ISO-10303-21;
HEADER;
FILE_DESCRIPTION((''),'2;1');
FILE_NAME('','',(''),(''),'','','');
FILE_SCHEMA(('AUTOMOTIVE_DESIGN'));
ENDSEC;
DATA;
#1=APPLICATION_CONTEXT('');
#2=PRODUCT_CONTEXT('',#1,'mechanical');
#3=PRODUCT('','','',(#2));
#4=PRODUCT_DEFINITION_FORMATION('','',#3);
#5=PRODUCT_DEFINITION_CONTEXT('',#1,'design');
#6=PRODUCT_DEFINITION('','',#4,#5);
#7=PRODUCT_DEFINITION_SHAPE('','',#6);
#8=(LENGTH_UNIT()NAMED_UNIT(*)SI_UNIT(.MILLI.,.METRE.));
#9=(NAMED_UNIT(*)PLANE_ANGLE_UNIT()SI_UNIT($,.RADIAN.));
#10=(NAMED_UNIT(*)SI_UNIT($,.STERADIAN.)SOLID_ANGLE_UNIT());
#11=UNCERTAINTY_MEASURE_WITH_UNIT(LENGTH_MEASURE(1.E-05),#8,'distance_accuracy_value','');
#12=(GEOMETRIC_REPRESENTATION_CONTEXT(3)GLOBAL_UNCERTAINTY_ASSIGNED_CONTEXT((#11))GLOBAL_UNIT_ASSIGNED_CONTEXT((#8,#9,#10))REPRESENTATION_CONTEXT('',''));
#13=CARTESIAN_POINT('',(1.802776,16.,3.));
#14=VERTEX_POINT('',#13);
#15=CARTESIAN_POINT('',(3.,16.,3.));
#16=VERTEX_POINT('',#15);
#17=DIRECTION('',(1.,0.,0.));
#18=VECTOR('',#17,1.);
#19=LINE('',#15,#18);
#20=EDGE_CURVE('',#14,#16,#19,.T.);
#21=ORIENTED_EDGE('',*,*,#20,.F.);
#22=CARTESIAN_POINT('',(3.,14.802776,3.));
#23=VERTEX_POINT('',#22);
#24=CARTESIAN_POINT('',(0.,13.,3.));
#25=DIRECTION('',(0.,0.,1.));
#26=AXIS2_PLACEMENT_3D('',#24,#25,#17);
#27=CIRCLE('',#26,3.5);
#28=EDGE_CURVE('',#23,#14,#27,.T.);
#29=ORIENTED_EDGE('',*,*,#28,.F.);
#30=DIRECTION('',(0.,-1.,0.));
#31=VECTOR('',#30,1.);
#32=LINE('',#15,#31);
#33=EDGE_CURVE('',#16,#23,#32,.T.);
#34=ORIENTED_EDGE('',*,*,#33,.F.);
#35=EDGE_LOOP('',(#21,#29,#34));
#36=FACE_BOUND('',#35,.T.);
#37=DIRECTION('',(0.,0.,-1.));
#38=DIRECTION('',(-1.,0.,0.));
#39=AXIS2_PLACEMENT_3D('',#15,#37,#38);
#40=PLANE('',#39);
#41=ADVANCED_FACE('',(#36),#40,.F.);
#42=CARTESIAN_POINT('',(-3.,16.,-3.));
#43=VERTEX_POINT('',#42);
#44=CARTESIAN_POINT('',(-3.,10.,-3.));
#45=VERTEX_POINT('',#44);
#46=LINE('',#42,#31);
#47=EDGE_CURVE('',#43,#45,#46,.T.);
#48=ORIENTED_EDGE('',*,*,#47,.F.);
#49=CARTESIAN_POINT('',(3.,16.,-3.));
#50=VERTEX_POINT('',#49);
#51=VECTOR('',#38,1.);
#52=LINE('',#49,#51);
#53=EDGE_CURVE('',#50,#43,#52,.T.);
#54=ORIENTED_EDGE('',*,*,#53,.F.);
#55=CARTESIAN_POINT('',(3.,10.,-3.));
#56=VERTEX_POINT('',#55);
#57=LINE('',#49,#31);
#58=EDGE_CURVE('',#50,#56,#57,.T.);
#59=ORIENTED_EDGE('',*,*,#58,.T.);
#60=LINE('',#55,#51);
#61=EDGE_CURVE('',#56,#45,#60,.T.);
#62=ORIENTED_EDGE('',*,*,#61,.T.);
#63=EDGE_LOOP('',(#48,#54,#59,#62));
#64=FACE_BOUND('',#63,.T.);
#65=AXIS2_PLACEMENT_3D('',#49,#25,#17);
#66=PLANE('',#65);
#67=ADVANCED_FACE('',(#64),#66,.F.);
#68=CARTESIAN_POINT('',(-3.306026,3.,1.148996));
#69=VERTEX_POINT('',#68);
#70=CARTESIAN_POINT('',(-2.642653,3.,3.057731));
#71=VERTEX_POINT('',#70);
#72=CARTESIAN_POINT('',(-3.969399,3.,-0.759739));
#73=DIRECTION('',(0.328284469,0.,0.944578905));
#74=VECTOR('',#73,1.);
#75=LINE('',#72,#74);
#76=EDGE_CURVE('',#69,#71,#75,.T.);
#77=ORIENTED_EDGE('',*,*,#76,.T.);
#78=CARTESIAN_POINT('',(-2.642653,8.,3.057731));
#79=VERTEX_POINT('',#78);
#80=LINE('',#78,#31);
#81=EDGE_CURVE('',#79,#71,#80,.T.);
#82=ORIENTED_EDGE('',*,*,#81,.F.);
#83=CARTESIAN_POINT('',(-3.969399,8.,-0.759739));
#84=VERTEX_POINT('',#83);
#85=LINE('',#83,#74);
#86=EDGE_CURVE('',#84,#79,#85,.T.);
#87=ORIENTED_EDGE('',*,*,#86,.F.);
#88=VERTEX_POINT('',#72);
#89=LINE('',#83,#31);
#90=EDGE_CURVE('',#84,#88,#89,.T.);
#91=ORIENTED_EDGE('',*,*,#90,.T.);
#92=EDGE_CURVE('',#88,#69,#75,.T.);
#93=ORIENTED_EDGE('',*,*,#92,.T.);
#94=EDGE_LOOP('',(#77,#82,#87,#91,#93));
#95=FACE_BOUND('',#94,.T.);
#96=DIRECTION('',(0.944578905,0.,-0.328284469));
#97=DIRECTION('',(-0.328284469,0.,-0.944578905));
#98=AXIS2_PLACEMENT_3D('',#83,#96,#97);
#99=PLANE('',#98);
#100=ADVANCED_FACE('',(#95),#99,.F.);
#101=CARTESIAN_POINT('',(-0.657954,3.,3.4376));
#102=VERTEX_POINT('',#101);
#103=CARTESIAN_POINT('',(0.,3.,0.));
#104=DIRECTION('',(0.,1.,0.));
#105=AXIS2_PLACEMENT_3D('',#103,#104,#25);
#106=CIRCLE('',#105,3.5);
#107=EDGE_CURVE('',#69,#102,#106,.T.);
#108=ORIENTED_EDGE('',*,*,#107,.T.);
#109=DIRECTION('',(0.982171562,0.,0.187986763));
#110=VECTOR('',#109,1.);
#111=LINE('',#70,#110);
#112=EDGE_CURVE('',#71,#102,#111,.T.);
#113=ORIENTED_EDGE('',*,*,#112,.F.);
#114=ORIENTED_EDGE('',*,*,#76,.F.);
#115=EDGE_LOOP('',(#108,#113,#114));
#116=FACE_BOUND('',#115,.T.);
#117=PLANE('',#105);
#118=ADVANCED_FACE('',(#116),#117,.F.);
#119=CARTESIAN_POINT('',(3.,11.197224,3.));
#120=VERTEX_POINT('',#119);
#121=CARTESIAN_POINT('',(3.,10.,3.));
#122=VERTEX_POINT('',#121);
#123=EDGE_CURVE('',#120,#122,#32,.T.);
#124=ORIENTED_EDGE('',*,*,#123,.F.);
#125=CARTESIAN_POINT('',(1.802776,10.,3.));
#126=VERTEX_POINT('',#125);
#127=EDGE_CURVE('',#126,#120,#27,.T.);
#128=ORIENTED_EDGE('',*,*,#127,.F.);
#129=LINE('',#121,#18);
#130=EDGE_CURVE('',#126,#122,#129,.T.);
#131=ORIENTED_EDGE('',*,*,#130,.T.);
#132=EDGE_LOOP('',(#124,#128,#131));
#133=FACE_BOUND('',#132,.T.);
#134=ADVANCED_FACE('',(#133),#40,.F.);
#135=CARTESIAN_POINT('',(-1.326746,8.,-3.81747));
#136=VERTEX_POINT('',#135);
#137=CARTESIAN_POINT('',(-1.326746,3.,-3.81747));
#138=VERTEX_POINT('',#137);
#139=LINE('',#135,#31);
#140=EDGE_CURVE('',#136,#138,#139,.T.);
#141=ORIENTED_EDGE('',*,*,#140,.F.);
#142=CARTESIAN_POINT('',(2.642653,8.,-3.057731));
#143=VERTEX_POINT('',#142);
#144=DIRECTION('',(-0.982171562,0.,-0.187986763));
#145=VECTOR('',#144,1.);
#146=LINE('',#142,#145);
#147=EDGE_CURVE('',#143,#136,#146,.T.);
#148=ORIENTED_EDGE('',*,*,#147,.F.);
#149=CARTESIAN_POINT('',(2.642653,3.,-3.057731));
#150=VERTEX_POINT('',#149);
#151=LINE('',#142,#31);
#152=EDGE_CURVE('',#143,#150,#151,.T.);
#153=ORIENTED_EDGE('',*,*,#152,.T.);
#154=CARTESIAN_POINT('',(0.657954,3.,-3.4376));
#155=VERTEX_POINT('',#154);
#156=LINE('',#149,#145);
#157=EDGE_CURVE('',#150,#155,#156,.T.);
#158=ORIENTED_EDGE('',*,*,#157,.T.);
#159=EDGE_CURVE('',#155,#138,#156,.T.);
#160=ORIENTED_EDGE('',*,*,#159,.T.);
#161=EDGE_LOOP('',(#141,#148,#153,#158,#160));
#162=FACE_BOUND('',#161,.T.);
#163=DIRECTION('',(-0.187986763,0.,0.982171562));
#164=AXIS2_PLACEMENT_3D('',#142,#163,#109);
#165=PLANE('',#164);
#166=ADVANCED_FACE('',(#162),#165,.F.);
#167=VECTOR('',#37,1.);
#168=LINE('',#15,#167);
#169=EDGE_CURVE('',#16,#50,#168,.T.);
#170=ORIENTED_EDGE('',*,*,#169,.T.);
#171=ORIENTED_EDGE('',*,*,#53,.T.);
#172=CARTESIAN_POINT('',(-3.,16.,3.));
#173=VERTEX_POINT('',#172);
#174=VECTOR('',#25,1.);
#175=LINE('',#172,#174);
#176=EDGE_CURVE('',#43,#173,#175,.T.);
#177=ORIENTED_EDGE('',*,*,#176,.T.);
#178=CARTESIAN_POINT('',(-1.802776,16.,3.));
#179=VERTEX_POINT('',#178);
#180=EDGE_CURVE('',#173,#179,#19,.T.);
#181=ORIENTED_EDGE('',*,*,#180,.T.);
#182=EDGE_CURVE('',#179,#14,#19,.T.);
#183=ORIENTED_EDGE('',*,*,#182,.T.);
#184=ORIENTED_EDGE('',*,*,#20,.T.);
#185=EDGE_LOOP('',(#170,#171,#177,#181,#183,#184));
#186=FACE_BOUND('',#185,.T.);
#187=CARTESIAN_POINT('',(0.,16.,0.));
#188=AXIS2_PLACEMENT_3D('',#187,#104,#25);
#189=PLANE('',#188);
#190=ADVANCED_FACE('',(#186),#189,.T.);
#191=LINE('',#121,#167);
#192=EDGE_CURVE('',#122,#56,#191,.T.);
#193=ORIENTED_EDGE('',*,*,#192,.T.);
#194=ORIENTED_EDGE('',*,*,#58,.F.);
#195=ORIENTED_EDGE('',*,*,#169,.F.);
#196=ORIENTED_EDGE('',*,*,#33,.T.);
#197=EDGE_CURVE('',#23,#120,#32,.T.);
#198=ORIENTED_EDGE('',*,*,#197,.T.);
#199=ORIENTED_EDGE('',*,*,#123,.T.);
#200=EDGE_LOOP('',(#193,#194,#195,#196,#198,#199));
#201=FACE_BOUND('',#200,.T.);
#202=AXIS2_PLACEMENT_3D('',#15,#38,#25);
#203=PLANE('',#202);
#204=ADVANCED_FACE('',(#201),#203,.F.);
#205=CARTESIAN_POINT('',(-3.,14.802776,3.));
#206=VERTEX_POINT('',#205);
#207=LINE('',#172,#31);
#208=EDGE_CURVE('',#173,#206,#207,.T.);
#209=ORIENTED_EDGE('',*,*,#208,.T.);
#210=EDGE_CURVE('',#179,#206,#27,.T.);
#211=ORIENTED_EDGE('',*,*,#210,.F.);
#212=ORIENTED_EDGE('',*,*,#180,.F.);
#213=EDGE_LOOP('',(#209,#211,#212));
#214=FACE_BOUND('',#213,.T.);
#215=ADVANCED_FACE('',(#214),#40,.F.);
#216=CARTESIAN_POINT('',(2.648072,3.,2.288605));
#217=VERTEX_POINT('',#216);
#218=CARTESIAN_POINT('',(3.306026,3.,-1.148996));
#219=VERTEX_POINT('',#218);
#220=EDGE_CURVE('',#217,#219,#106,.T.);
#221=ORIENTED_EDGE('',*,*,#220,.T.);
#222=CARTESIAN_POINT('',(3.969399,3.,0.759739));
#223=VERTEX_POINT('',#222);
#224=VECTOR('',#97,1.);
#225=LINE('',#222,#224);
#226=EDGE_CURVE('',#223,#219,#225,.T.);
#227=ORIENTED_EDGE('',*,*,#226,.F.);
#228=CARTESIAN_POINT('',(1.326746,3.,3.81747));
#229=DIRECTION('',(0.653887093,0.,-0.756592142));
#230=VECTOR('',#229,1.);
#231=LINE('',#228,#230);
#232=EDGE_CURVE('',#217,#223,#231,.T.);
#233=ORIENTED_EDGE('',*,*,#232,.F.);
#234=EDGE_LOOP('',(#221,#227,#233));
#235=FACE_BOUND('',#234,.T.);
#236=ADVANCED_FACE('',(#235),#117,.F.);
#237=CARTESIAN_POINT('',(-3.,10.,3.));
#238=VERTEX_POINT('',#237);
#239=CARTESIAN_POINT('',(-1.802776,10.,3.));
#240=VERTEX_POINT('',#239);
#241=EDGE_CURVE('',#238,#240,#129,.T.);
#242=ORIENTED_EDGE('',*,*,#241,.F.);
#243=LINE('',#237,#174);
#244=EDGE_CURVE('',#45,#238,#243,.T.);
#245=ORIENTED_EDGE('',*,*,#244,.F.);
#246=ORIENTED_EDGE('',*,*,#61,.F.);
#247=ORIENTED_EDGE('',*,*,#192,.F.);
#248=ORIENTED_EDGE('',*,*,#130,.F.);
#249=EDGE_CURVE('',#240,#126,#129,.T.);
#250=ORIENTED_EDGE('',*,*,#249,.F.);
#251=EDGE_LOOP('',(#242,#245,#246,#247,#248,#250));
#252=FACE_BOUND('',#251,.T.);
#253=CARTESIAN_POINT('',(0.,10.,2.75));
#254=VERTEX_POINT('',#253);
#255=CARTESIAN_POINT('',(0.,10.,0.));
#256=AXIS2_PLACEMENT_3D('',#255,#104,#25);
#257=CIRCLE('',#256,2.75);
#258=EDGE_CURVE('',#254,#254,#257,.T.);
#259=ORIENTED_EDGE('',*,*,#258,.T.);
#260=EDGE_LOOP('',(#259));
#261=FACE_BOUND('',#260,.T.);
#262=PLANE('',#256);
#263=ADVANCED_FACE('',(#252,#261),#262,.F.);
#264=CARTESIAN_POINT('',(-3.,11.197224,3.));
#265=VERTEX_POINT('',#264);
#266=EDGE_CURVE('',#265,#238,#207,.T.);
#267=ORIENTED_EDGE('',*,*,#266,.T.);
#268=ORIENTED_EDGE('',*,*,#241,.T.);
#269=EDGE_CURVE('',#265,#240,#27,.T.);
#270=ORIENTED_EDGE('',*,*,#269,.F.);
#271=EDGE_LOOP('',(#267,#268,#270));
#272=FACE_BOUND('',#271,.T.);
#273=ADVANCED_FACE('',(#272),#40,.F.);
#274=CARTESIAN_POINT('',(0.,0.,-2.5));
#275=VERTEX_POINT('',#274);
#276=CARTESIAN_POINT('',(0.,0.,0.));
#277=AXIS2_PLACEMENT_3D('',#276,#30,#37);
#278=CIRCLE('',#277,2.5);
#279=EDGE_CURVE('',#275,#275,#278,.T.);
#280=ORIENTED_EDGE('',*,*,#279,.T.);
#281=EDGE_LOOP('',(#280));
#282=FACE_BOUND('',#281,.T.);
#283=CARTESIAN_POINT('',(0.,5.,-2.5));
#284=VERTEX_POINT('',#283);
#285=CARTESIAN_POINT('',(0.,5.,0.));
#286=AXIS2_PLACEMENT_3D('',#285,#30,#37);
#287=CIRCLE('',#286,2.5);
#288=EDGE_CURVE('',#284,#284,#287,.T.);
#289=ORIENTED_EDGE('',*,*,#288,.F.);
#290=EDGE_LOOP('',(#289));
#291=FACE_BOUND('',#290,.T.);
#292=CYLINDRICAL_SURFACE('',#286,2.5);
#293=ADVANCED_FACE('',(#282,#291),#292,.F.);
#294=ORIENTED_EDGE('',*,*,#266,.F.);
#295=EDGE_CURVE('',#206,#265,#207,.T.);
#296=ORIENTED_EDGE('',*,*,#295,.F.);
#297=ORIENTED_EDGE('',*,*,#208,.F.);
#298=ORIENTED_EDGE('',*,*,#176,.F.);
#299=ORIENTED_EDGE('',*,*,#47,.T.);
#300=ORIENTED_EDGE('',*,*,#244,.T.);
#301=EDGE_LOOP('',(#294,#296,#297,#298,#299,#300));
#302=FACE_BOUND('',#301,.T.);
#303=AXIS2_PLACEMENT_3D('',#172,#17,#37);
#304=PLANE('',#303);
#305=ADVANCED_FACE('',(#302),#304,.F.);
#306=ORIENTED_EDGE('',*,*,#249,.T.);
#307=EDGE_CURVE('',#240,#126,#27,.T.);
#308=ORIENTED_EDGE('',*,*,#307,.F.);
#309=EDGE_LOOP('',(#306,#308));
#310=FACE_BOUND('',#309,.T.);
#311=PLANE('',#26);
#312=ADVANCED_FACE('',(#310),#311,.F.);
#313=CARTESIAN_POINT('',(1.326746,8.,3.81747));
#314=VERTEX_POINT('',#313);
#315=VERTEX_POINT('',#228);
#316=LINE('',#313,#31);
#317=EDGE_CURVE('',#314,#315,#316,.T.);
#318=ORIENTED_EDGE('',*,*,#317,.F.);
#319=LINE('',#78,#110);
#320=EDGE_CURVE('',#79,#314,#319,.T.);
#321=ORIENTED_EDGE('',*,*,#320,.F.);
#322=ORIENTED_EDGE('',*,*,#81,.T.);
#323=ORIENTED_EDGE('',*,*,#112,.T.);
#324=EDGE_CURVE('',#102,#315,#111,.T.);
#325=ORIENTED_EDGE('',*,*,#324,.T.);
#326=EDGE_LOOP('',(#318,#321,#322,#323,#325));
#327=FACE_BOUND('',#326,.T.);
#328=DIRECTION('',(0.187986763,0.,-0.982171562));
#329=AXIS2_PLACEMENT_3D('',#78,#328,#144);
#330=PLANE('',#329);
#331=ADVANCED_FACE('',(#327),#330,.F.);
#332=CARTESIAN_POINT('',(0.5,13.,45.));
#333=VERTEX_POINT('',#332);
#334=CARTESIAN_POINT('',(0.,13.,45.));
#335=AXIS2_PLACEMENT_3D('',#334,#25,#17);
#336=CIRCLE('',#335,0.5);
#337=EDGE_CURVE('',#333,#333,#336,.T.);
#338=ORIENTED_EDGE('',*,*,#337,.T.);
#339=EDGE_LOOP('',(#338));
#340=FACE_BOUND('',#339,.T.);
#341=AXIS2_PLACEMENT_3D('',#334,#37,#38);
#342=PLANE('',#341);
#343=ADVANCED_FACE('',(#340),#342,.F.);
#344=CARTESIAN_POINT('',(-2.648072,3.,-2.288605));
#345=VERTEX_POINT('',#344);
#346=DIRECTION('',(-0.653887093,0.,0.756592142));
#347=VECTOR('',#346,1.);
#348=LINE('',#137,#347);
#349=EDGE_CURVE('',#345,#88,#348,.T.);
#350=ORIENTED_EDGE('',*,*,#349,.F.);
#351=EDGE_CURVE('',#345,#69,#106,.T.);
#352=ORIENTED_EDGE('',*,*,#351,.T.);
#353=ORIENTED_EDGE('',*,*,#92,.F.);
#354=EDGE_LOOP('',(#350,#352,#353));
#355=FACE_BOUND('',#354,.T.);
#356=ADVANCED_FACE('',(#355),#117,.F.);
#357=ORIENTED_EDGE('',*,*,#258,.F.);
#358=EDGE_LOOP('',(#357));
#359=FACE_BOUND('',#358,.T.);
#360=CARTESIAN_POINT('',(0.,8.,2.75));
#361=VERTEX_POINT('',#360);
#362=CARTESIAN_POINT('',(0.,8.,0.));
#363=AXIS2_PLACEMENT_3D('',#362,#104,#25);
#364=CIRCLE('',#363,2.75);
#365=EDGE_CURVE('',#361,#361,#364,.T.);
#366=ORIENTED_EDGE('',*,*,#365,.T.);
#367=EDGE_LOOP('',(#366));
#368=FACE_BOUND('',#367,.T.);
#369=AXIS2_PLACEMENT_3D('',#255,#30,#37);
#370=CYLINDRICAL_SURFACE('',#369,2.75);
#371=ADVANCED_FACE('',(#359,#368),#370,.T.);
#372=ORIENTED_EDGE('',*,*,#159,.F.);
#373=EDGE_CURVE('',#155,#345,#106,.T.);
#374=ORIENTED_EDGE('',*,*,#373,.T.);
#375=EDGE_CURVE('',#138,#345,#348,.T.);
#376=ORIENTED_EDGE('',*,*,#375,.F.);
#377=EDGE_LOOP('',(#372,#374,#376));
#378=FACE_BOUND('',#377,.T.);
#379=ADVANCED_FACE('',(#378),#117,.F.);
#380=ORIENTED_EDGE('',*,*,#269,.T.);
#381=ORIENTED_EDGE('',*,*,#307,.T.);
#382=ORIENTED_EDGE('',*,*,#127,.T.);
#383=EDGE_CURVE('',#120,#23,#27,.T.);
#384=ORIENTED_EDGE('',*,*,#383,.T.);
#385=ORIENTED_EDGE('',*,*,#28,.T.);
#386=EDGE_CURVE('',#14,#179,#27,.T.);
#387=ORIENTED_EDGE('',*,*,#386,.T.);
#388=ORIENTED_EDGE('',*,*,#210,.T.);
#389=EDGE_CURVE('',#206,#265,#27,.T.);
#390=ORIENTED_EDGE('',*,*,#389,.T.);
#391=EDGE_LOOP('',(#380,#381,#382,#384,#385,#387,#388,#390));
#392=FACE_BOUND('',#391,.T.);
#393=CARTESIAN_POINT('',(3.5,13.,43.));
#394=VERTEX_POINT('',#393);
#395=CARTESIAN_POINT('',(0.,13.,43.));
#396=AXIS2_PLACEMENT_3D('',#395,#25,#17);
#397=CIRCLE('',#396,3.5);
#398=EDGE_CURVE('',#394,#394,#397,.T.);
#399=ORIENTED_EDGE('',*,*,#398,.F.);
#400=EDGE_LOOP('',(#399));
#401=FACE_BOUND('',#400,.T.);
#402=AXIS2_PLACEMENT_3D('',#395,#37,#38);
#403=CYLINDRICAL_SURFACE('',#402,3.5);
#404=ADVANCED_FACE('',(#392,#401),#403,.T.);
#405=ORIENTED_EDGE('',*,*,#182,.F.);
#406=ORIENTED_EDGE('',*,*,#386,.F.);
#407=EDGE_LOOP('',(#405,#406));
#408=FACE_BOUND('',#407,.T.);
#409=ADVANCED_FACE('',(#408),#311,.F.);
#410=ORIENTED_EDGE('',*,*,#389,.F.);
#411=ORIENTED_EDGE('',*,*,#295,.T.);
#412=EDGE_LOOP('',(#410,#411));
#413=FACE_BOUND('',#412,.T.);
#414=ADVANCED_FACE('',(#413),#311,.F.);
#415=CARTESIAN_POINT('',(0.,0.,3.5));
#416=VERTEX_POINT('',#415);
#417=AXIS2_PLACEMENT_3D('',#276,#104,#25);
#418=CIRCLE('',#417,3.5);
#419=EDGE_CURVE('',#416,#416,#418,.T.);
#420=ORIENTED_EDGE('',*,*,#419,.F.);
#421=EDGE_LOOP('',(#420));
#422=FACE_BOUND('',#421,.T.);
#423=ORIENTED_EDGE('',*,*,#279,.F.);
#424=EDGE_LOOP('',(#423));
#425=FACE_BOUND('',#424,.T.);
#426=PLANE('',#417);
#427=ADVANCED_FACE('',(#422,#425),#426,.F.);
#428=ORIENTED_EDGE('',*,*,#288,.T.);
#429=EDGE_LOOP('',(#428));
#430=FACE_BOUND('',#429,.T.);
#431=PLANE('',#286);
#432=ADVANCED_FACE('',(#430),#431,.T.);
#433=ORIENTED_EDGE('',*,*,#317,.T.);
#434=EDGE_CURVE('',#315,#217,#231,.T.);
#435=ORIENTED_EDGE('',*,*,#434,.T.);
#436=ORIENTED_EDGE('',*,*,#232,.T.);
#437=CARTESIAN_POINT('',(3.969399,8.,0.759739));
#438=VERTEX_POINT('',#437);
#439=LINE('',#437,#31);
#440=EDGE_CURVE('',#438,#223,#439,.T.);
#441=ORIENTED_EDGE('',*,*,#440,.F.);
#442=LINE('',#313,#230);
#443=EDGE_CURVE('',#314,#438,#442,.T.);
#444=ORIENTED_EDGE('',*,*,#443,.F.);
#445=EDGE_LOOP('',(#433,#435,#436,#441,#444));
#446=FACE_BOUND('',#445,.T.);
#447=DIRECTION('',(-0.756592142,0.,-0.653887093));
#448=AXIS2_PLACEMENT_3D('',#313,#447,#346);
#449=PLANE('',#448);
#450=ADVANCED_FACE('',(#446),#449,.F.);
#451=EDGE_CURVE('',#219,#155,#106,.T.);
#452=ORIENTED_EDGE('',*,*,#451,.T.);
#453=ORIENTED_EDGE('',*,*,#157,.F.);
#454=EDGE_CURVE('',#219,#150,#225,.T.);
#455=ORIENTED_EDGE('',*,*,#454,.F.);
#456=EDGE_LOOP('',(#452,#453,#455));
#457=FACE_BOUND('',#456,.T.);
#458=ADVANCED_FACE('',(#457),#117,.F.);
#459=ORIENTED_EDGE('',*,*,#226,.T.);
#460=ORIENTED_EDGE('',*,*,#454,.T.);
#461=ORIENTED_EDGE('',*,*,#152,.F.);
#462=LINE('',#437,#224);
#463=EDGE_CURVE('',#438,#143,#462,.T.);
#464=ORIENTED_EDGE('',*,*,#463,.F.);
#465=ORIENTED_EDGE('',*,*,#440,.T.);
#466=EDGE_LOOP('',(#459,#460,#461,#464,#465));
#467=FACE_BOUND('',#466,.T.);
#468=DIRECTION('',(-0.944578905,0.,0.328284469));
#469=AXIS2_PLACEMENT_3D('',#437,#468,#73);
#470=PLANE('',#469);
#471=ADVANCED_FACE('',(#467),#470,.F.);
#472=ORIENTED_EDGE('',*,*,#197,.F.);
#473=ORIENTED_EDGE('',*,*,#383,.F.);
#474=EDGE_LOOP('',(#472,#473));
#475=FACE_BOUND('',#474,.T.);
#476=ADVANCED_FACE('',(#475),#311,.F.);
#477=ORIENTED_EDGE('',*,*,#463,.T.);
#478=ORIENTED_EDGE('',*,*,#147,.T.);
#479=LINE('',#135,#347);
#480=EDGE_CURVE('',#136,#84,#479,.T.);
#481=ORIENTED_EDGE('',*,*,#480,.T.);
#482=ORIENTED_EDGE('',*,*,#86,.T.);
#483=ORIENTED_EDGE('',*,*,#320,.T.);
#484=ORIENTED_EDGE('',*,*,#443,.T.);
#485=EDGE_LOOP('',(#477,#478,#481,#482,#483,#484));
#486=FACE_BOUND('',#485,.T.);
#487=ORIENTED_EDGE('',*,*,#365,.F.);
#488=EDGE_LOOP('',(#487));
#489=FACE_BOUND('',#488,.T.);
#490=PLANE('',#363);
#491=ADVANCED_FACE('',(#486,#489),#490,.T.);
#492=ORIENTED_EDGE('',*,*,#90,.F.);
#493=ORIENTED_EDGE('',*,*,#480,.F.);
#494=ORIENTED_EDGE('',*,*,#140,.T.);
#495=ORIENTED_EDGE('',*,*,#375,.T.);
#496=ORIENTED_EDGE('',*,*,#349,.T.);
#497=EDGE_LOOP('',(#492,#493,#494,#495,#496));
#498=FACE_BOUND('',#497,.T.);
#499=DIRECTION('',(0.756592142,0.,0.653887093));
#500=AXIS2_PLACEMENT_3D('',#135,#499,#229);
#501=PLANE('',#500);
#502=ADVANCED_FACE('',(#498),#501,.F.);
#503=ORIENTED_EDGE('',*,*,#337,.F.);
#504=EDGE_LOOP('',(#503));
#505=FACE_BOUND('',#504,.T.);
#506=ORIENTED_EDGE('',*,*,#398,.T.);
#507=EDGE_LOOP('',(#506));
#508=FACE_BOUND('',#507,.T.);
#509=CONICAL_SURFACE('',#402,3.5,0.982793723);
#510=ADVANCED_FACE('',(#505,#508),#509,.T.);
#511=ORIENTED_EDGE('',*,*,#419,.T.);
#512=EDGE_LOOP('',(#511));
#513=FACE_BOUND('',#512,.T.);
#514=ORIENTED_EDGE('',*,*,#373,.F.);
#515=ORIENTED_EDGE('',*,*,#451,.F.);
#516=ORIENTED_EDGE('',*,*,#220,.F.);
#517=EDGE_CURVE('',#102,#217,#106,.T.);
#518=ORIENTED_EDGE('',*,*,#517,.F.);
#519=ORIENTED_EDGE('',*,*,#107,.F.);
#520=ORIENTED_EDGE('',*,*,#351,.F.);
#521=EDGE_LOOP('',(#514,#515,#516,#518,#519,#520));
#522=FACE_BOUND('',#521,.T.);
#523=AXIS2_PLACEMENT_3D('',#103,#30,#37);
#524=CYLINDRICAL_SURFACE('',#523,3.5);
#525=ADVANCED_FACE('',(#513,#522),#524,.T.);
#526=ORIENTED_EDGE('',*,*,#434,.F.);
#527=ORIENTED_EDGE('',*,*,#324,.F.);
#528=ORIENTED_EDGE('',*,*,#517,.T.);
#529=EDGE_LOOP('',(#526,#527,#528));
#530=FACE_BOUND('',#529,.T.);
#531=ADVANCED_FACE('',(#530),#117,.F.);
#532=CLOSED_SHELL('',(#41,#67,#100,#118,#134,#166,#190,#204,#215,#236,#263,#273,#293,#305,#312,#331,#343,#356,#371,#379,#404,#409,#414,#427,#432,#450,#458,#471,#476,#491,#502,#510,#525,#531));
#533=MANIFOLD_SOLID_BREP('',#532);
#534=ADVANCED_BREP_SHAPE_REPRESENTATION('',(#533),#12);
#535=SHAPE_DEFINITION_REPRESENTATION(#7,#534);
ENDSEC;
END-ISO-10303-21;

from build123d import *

# Parameters (mm, degrees)
SKETCH_1_R          = 3.5
EXTRUDE_1_DEPTH     = 3
EXTRUDE_2_DEPTH     = 5
SKETCH_3_R          = 2.75
EXTRUDE_3_DEPTH     = 2
SKETCH_4_R          = 2.5
CUT_EXTRUDE_1_DEPTH = 5
SKETCH_5_W          = 6
SKETCH_5_H          = 6
EXTRUDE_4_DEPTH     = 6
SKETCH_6_R          = 3.5
EXTRUDE_7_DEPTH     = 40


with BuildPart() as part:
    # 草图1 → 凸台-拉伸1 (new body)
    with BuildSketch(Plane(origin=(0, 0, 0), x_dir=(1, 0, 0), z_dir=(0, 1, 0))):
        Circle(SKETCH_1_R)
    extrude(amount=EXTRUDE_1_DEPTH)

    # 草图2 → 凸台-拉伸2 (add)
    with BuildSketch(Plane(origin=(0, 3, 0), x_dir=(1, 0, 0), z_dir=(0, 1, 0))):
        Polygon((2.642653224, 3.057730738), (-1.326745885, 3.817470195), (-3.96939911, 0.759739456), (-2.642653224, -3.057730738), (1.326745885, -3.817470195), (3.96939911, -0.759739456), align=None)
    extrude(amount=EXTRUDE_2_DEPTH)

    # 草图3 → 凸台-拉伸3 (add)
    with BuildSketch(Plane(origin=(0, 8, 0), x_dir=(1, 0, 0), z_dir=(0, 1, 0))):
        Circle(SKETCH_3_R)
    extrude(amount=EXTRUDE_3_DEPTH)

    # 草图4 → 切除-拉伸1 (cut)
    with BuildSketch(Plane.XZ):
        Circle(SKETCH_4_R)
    extrude(amount=-CUT_EXTRUDE_1_DEPTH, mode=Mode.SUBTRACT)

    # 草图5 → 凸台-拉伸4 (add)
    with BuildSketch(Plane(origin=(0, 10, 0), x_dir=(1, 0, 0), z_dir=(0, 1, 0))):
        Rectangle(SKETCH_5_W, SKETCH_5_H)
    extrude(amount=EXTRUDE_4_DEPTH)

    # 草图6 → 凸台-拉伸7 (add)
    with BuildSketch(Plane.XY.offset(3)):
        with Locations((0, 13)):
            Circle(SKETCH_6_R)
    extrude(amount=EXTRUDE_7_DEPTH)

    # 草图7 → 旋转1 (revolve)
    with BuildSketch(Plane(origin=(0, 0, 0), x_dir=(0, 0, -1), z_dir=(1, 0, 0))):
        Polygon((-43, 16.5), (-43, 13), (-45, 13), (-45, 13.5), align=None)
    revolve(axis=Axis((0, 13, 43), (0, 0, -1)))


solid = part.part
